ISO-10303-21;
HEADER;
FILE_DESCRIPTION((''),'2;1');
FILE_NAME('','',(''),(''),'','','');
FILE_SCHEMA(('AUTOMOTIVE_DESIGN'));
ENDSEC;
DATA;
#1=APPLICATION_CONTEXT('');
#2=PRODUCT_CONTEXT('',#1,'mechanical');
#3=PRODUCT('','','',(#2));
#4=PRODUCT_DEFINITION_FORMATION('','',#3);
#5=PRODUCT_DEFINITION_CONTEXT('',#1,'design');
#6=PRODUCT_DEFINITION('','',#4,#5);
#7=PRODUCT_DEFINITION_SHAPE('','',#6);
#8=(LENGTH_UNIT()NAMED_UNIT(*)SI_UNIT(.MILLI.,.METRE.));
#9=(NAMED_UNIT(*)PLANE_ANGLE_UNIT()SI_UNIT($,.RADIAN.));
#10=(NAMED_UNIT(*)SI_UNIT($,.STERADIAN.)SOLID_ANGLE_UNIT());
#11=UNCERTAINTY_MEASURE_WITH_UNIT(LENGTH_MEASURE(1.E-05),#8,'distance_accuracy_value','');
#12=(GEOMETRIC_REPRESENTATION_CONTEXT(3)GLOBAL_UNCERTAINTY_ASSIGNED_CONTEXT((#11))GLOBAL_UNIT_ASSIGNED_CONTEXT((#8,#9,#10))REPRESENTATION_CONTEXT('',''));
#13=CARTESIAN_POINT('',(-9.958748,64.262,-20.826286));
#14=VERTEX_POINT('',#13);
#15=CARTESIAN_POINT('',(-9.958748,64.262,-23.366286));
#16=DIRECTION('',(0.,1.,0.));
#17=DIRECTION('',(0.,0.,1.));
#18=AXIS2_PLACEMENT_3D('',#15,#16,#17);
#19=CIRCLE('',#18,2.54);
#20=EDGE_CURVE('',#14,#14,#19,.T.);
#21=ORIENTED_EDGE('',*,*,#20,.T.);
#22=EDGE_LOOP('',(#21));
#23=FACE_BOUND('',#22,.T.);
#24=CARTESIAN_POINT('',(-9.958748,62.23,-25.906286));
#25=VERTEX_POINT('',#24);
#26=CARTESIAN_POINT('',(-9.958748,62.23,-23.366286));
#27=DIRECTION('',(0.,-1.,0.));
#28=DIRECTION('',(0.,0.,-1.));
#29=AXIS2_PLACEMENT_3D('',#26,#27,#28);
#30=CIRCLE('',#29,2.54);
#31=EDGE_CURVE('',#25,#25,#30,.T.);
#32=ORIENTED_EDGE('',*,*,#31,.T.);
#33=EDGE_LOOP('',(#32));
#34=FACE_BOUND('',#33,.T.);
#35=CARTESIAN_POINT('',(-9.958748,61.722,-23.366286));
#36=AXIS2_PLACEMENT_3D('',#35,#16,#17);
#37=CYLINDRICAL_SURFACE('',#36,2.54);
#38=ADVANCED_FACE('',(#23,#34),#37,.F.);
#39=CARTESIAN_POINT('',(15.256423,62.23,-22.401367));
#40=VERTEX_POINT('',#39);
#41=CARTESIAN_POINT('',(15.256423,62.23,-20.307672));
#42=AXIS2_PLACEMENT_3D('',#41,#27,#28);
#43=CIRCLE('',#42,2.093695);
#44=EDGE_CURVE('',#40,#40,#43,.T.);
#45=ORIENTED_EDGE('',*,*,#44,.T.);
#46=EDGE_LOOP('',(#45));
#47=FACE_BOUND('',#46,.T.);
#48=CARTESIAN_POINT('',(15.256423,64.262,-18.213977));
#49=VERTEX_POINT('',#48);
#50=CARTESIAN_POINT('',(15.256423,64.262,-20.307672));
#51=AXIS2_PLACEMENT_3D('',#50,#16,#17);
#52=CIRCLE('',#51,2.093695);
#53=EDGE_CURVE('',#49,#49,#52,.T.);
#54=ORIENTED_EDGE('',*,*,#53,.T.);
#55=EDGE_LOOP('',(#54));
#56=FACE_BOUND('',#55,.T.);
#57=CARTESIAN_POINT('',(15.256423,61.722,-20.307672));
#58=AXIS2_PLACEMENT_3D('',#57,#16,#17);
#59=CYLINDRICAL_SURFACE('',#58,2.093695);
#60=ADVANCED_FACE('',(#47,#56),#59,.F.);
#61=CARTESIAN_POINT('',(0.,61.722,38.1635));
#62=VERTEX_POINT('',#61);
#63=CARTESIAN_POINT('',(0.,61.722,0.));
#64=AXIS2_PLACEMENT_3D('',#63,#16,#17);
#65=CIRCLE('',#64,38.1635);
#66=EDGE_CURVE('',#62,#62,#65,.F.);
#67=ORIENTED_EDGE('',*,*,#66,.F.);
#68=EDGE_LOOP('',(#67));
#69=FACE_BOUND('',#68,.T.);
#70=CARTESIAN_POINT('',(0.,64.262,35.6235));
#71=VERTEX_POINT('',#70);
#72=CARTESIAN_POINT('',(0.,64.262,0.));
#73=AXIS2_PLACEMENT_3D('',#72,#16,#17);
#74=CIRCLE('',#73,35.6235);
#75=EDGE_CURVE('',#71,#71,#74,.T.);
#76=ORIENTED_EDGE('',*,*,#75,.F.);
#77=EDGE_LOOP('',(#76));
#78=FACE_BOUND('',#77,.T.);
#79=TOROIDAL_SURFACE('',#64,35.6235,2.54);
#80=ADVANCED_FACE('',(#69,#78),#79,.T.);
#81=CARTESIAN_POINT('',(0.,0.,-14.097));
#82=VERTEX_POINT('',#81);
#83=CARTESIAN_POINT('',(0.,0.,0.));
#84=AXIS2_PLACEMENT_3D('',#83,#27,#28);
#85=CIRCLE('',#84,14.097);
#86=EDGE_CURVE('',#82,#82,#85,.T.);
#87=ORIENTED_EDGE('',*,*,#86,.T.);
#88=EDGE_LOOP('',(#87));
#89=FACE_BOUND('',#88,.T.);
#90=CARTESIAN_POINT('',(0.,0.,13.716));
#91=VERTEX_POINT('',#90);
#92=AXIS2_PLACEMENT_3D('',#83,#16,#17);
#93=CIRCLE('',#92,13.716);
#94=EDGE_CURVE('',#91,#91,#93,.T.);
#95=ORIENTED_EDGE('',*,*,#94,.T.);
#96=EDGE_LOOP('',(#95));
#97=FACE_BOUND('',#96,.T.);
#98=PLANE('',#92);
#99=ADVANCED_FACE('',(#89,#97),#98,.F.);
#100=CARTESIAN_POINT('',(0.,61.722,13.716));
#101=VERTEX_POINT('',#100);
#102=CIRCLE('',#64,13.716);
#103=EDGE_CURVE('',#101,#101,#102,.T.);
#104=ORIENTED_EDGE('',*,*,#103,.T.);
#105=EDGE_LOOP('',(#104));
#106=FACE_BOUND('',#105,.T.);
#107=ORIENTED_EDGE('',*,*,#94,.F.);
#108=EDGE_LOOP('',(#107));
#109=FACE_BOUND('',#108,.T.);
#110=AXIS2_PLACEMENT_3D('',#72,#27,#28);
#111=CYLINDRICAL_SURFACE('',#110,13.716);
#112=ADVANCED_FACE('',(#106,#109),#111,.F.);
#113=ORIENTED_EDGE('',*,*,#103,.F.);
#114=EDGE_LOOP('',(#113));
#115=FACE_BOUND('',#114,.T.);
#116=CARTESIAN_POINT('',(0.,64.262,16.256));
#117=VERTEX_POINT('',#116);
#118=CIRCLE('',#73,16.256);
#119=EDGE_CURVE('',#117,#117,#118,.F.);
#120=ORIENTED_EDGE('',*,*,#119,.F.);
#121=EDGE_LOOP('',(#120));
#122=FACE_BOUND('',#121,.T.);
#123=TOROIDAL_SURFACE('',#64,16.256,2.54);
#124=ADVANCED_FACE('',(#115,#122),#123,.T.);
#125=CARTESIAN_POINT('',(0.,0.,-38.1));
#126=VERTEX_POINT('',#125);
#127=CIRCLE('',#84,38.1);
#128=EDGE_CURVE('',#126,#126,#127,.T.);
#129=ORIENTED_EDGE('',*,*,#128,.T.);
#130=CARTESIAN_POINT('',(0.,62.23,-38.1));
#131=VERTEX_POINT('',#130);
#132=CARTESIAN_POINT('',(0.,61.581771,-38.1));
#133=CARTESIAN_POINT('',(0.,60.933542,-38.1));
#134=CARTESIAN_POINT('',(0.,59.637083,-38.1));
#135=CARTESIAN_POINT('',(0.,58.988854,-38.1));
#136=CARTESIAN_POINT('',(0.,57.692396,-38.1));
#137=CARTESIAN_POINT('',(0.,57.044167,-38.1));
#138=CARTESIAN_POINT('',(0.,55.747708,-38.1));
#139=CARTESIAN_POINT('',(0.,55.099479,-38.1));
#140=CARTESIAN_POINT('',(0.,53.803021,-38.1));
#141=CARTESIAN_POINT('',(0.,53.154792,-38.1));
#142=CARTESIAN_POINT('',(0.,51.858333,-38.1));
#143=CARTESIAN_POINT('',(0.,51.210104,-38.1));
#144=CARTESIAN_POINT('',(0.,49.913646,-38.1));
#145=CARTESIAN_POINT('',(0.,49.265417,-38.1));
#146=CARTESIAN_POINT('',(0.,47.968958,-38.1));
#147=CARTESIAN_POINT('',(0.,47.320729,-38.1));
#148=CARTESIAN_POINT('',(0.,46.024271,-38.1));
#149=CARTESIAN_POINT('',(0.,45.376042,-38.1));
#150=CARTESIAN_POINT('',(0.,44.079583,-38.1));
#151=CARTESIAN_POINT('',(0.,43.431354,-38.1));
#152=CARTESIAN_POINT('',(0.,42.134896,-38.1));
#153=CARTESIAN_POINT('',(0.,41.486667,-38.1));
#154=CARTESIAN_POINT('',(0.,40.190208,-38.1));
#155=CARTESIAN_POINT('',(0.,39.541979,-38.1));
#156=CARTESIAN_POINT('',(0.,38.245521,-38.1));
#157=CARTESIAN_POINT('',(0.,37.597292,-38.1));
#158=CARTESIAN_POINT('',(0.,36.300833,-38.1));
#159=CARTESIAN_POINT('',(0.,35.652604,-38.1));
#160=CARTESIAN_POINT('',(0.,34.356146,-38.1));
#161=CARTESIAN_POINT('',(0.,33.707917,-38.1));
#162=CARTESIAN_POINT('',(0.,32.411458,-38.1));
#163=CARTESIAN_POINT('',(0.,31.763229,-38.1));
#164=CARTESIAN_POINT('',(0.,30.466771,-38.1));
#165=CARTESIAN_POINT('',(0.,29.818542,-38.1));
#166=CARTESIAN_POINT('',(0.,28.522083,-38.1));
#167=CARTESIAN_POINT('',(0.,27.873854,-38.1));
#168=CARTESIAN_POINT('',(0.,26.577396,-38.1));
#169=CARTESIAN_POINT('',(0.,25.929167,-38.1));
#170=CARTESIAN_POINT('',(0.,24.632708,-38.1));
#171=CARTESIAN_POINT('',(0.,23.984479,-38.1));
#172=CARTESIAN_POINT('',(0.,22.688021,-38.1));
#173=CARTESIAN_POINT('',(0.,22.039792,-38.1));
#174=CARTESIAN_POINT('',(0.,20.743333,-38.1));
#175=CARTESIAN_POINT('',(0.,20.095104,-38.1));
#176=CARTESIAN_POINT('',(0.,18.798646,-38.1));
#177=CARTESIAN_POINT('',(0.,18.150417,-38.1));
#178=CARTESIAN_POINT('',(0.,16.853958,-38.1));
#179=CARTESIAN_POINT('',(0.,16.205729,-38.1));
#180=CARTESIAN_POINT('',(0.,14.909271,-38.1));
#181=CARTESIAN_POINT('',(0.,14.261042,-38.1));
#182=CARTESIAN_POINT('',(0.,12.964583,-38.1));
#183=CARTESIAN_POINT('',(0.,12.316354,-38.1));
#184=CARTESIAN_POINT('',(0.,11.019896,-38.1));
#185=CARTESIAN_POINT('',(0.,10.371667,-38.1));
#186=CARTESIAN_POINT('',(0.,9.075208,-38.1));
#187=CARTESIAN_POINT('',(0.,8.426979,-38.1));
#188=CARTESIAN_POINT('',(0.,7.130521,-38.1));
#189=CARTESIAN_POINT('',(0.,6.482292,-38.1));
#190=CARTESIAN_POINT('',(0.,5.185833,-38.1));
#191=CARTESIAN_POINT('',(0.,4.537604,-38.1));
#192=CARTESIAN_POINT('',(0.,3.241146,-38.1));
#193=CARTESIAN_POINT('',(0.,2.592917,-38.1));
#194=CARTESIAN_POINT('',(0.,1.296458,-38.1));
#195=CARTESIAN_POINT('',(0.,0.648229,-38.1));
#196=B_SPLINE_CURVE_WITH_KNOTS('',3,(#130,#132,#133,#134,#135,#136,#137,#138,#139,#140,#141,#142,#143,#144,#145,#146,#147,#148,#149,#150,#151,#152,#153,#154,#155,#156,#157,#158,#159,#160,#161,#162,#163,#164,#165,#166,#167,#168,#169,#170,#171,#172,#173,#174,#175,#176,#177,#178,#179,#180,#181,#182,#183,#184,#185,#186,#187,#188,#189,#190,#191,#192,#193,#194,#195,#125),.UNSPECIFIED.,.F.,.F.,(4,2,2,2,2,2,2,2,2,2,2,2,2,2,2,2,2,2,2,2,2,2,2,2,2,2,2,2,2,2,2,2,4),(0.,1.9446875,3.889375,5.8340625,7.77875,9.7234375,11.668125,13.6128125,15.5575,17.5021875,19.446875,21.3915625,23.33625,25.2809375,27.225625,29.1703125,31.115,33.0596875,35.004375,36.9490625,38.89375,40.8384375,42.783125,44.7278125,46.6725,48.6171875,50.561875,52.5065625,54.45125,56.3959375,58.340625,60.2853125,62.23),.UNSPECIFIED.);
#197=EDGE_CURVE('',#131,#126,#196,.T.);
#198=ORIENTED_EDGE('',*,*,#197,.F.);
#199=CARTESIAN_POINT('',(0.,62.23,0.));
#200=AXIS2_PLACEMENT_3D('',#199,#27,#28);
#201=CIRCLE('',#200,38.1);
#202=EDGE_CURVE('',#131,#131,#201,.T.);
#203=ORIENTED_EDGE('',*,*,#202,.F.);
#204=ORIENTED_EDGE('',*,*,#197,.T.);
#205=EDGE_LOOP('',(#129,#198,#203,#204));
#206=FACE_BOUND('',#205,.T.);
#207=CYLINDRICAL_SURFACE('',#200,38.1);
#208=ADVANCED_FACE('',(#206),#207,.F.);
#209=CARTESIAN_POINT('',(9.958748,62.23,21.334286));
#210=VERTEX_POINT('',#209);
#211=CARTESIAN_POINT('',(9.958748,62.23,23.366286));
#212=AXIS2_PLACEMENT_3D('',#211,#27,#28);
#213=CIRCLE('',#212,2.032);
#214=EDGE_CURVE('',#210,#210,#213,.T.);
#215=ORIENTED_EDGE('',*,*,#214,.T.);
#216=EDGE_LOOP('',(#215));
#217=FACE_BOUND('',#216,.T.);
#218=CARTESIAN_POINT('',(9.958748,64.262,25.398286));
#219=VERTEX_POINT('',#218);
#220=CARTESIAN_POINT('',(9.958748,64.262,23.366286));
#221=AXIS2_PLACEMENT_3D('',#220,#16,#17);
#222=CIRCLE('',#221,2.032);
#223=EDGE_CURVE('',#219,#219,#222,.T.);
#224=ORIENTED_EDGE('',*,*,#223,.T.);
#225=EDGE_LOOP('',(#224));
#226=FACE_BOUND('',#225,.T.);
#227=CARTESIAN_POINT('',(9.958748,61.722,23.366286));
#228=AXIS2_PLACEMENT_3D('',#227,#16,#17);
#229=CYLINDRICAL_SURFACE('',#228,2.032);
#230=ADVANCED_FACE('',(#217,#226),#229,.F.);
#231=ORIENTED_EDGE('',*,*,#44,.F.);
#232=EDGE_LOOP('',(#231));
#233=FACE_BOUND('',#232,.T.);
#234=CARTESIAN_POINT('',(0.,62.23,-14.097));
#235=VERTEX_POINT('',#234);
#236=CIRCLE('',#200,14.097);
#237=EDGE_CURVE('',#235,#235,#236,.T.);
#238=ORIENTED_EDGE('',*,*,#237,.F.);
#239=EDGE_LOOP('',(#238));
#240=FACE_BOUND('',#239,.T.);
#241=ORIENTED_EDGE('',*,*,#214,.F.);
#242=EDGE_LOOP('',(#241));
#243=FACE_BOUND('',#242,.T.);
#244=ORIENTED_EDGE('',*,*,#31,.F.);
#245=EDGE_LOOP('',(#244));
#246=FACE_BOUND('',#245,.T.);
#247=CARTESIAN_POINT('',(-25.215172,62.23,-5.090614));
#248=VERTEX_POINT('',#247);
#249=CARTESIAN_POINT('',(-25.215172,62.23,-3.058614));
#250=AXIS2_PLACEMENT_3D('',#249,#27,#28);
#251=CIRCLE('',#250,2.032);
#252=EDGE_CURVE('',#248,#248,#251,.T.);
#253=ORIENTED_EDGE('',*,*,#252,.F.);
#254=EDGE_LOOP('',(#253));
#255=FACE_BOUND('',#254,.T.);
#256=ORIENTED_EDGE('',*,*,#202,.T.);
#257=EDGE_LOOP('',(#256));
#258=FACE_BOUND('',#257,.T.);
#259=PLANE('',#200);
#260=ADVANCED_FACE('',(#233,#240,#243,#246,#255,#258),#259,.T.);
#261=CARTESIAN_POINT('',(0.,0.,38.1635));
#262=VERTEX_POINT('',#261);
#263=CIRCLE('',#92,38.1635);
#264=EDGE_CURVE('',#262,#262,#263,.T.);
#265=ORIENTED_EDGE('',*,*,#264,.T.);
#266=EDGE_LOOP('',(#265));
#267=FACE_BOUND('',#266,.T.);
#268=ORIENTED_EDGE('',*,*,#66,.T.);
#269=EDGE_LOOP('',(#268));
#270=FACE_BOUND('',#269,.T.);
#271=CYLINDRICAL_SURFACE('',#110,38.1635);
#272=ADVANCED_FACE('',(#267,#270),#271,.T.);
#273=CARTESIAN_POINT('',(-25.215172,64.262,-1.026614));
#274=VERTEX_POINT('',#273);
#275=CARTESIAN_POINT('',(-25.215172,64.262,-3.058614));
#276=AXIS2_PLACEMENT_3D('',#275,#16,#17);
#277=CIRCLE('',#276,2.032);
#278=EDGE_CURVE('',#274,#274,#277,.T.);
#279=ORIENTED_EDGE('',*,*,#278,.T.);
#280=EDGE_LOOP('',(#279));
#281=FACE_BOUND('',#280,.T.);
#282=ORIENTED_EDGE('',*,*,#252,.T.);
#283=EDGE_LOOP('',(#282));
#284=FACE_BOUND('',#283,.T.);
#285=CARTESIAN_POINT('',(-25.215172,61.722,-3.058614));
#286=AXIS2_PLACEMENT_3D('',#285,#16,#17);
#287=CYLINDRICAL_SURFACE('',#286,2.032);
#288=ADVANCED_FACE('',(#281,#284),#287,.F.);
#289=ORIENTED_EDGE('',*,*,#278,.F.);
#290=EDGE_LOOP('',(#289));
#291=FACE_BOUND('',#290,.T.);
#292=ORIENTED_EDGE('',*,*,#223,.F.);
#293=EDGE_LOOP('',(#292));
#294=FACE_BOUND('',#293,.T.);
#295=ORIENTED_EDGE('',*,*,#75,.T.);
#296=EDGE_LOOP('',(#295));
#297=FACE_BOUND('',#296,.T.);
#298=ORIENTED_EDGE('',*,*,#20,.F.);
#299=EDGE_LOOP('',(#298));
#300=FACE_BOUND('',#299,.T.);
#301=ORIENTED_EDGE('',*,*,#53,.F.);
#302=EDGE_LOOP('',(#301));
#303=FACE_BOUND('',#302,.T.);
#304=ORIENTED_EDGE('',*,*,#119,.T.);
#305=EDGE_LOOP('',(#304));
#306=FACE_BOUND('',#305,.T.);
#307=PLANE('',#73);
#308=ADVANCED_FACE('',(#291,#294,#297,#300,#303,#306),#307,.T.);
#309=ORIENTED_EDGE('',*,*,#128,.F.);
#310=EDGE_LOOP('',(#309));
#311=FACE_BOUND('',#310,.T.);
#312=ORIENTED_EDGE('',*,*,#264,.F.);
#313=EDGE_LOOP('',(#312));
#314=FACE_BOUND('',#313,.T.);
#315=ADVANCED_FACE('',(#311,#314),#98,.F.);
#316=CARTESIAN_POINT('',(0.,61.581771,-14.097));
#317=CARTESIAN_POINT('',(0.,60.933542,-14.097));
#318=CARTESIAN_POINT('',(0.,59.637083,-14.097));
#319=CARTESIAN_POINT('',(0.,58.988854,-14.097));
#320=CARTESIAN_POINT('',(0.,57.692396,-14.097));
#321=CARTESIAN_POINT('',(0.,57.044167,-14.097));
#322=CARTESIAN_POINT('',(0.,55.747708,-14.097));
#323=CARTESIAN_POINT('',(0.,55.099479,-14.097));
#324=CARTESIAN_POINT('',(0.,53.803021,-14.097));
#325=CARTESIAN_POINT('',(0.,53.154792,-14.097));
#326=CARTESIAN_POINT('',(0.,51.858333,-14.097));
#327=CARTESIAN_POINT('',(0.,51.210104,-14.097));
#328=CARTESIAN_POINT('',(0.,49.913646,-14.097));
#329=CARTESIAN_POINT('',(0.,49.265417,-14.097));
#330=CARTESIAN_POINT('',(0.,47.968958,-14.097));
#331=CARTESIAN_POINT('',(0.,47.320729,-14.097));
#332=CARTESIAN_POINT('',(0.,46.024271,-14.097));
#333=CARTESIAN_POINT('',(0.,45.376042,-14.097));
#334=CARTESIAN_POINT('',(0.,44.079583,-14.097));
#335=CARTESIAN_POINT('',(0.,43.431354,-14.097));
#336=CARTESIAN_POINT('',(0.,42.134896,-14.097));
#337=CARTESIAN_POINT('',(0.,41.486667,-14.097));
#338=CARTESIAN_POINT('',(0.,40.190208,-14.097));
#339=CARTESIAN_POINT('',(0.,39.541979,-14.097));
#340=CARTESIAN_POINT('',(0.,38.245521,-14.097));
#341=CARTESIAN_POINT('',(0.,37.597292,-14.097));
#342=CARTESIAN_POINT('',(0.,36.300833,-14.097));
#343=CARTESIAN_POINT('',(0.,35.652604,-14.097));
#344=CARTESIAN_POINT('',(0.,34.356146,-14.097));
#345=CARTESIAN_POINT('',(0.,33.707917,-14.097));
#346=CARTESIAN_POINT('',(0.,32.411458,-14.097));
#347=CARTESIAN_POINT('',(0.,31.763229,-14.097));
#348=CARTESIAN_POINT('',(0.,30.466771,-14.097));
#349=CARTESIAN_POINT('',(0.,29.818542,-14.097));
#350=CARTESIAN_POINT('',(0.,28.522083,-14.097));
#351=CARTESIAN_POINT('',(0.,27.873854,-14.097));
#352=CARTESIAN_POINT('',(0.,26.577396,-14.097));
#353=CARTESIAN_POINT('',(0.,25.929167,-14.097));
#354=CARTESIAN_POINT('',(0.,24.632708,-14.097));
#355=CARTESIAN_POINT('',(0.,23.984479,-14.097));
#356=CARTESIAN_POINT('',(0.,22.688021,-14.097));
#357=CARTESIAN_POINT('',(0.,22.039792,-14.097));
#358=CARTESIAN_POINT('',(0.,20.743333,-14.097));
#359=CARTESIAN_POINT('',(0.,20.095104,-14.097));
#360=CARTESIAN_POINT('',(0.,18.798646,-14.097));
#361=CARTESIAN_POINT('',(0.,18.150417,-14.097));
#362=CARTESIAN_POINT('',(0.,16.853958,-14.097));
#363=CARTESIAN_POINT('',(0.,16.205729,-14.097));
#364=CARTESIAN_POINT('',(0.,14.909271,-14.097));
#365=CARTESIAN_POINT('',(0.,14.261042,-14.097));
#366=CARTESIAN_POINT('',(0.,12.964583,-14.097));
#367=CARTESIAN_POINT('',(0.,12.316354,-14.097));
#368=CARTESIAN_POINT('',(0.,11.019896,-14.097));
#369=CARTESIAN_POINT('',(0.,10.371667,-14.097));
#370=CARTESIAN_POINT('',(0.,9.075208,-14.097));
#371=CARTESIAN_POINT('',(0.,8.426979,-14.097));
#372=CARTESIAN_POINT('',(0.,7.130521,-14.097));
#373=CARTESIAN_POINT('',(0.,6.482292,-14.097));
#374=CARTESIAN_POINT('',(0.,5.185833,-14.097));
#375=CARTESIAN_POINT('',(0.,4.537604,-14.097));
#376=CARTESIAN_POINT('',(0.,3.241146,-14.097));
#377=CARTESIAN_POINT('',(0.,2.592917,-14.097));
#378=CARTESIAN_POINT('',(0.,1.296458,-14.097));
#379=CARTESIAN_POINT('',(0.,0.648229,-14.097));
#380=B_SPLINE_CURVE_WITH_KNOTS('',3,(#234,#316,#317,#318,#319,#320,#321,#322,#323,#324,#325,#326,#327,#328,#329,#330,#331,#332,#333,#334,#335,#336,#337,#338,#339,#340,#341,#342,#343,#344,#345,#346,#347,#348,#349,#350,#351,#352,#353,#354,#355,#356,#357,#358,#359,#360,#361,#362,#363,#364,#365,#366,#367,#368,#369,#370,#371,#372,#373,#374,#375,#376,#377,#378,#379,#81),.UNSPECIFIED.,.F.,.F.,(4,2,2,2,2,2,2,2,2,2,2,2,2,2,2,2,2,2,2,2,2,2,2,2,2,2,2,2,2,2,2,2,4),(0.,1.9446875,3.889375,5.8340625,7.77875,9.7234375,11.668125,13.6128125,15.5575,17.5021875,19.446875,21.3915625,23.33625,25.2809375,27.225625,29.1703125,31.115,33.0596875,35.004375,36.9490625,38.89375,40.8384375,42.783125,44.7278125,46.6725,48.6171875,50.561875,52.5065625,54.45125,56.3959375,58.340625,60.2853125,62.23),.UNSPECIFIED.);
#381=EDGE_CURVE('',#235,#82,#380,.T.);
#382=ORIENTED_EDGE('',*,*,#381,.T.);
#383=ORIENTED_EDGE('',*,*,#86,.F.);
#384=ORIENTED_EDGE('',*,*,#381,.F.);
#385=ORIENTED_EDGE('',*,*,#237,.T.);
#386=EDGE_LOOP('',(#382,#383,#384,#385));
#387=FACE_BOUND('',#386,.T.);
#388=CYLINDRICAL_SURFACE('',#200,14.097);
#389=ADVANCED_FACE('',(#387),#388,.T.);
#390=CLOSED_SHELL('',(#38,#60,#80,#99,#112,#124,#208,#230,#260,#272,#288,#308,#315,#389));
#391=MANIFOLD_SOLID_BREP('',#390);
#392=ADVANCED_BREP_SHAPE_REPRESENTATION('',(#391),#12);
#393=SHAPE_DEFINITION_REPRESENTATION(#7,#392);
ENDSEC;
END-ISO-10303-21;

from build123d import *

# Parameters (mm, degrees)
SKETCH1_R           = 38.1635
SKETCH1_R_2         = 13.716
BOSS_EXTRUDE3_DEPTH = 64.262
SKETCH3_R           = 38.1
SKETCH3_R_2         = 14.097
CUT_EXTRUDE1_DEPTH  = 62.23
FILLET1_R           = 2.54
SKETCH5_R           = 2.093695025
SKETCH5_R_2         = 2.032
SKETCH5_R_3         = 2.54
CUT_EXTRUDE2_DEPTH  = 2.54


with BuildPart() as part:
    # Sketch1 → Boss-Extrude3 (new body)
    with BuildSketch(Plane(origin=(0, 0, 0), x_dir=(1, 0, 0), z_dir=(0, 1, 0))):
        with Locations(Location((0, 0, 0), (0, 0, 270))):
            Circle(SKETCH1_R)
        with Locations(Location((0, 0, 0), (0, 0, 270))):
            Circle(SKETCH1_R_2, mode=Mode.SUBTRACT)
    extrude(amount=BOSS_EXTRUDE3_DEPTH)

    # Sketch3 → Cut-Extrude1 (cut)
    with BuildSketch(Plane(origin=(0, 0, 0), x_dir=(-1, 0, 0), z_dir=(0, -1, 0))):
        with Locations(Location((0, 0, 0), (0, 0, 90))):
            Circle(SKETCH3_R)
        with Locations(Location((0, 0, 0), (0, 0, 90))):
            Circle(SKETCH3_R_2, mode=Mode.SUBTRACT)
    extrude(amount=-CUT_EXTRUDE1_DEPTH, mode=Mode.SUBTRACT)

    # Fillet1
    fillet1_edges = [part.edges().sort_by_distance(p)[0] for p in [
        (0, 64.262, -38.1635),
        (0, 64.262, -13.716),
    ]]
    fillet(fillet1_edges, radius=FILLET1_R)

    # Sketch5 → Cut-Extrude2 (cut)
    with BuildSketch(Plane(origin=(0, 64.262, 0), x_dir=(1, 0, 0), z_dir=(0, 1, 0))):
        with Locations(Location((15.256423447, 20.307672038, 0), (0, 0, 270))):
            Circle(SKETCH5_R)
        with Locations(Location((-25.2151716, 3.058614257, 0), (0, 0, 270))):
            Circle(SKETCH5_R_2)
        with Locations(Location((9.958748153, -23.366286295, 0), (0, 0, 270))):
            Circle(SKETCH5_R_2)
        with Locations(Location((-9.958748153, 23.366286295, 0), (0, 0, 270))):
            Circle(SKETCH5_R_3)
    extrude(amount=-CUT_EXTRUDE2_DEPTH, mode=Mode.SUBTRACT)


solid = part.part
